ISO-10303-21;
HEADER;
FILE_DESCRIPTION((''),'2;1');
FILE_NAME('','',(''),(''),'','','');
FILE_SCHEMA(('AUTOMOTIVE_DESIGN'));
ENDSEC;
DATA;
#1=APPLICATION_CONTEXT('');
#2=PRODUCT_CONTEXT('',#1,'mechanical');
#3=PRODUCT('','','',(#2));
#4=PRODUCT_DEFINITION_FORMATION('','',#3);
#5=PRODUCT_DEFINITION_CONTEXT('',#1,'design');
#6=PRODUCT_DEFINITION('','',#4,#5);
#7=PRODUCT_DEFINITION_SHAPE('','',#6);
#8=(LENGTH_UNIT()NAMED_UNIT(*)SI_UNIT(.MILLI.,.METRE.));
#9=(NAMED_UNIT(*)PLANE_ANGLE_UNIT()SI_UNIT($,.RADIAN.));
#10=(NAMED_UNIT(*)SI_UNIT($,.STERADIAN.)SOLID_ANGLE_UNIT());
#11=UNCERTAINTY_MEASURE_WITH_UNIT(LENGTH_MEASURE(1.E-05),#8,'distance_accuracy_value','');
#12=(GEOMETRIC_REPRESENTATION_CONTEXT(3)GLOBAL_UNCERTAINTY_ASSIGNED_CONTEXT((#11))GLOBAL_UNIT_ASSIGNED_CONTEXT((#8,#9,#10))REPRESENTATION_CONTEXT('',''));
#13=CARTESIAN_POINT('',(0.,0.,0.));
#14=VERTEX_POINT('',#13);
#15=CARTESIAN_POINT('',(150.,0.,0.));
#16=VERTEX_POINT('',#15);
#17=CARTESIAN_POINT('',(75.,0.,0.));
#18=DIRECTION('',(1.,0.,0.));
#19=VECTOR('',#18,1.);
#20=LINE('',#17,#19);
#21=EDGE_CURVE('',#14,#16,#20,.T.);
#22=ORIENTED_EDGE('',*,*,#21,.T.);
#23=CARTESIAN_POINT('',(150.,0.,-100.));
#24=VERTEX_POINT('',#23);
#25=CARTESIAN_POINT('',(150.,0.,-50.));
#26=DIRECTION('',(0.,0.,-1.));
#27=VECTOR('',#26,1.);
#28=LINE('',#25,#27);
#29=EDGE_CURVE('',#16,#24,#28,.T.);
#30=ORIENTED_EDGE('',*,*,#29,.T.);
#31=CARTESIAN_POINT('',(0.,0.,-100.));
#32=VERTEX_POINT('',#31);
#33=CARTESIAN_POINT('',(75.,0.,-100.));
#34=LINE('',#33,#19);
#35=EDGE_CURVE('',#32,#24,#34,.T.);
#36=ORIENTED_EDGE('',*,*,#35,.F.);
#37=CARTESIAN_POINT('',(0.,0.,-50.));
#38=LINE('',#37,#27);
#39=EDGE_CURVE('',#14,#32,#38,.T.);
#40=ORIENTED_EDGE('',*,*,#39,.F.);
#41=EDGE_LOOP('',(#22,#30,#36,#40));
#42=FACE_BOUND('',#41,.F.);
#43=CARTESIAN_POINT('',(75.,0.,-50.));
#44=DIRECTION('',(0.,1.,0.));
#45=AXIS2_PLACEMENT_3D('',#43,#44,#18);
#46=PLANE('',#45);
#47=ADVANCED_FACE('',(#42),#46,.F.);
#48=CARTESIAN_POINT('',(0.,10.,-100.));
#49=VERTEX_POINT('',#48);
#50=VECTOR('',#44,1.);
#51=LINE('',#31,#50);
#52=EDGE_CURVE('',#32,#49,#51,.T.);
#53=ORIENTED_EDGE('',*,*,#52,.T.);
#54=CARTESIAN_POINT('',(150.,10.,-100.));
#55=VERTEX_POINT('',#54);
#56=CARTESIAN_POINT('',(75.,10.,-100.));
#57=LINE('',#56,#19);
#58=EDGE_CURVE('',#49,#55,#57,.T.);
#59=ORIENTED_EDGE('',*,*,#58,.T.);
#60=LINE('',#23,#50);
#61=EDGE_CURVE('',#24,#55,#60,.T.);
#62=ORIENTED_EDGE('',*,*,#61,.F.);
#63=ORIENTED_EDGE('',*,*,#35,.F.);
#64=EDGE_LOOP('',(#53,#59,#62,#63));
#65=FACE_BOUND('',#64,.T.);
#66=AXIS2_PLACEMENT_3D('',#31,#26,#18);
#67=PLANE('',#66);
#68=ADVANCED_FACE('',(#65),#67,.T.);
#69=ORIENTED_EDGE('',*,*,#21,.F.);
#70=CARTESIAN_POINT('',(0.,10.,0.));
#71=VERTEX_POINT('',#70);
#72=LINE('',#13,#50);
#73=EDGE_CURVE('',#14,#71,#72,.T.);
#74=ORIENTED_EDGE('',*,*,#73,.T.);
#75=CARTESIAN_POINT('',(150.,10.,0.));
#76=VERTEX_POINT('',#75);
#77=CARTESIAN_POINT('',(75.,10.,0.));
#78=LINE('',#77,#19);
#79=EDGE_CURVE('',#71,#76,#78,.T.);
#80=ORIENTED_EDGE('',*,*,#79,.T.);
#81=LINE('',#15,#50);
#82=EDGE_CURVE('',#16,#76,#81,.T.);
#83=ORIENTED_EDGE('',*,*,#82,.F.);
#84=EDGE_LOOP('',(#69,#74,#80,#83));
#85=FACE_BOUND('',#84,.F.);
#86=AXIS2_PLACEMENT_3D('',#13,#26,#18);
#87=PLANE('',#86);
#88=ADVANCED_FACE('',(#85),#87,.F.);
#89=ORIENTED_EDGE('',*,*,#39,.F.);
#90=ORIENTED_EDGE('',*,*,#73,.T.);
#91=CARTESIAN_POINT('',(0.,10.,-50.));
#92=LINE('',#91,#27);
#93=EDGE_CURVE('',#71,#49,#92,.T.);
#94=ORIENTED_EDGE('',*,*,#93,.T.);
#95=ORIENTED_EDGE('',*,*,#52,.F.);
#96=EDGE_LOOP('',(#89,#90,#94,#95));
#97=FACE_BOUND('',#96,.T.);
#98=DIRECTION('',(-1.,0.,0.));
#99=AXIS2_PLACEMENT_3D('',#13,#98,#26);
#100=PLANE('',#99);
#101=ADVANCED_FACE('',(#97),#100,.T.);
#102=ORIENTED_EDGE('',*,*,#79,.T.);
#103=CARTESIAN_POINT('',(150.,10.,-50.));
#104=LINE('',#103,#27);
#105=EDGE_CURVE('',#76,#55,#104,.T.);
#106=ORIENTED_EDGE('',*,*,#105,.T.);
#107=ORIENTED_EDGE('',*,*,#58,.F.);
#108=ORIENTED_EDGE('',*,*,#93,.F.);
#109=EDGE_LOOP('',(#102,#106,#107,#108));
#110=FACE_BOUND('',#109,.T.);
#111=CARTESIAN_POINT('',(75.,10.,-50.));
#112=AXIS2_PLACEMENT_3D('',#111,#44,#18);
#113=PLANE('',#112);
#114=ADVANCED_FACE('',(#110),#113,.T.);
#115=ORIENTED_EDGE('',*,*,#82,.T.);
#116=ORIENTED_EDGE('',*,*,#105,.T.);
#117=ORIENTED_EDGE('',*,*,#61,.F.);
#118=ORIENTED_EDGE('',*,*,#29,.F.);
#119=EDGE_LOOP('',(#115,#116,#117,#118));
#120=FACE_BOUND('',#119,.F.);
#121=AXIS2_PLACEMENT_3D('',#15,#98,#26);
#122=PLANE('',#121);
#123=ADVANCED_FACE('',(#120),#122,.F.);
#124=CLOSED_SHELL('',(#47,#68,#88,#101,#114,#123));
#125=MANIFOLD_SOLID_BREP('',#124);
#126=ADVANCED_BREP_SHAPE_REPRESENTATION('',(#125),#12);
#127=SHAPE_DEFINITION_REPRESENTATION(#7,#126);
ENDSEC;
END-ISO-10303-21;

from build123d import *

# Parameters (mm, degrees)
ESQUISSE1_W        = 150
ESQUISSE1_H        = 100
BOSS_EXTRU_1_DEPTH = 10


with BuildPart() as part:
    # Esquisse1 → Boss.-Extru.1 (new body)
    with BuildSketch(Plane(origin=(0, 0, 0), x_dir=(1, 0, 0), z_dir=(0, 1, 0))):
        with Locations((75, 50)):
            Rectangle(ESQUISSE1_W, ESQUISSE1_H)
    extrude(amount=BOSS_EXTRU_1_DEPTH)


solid = part.part
